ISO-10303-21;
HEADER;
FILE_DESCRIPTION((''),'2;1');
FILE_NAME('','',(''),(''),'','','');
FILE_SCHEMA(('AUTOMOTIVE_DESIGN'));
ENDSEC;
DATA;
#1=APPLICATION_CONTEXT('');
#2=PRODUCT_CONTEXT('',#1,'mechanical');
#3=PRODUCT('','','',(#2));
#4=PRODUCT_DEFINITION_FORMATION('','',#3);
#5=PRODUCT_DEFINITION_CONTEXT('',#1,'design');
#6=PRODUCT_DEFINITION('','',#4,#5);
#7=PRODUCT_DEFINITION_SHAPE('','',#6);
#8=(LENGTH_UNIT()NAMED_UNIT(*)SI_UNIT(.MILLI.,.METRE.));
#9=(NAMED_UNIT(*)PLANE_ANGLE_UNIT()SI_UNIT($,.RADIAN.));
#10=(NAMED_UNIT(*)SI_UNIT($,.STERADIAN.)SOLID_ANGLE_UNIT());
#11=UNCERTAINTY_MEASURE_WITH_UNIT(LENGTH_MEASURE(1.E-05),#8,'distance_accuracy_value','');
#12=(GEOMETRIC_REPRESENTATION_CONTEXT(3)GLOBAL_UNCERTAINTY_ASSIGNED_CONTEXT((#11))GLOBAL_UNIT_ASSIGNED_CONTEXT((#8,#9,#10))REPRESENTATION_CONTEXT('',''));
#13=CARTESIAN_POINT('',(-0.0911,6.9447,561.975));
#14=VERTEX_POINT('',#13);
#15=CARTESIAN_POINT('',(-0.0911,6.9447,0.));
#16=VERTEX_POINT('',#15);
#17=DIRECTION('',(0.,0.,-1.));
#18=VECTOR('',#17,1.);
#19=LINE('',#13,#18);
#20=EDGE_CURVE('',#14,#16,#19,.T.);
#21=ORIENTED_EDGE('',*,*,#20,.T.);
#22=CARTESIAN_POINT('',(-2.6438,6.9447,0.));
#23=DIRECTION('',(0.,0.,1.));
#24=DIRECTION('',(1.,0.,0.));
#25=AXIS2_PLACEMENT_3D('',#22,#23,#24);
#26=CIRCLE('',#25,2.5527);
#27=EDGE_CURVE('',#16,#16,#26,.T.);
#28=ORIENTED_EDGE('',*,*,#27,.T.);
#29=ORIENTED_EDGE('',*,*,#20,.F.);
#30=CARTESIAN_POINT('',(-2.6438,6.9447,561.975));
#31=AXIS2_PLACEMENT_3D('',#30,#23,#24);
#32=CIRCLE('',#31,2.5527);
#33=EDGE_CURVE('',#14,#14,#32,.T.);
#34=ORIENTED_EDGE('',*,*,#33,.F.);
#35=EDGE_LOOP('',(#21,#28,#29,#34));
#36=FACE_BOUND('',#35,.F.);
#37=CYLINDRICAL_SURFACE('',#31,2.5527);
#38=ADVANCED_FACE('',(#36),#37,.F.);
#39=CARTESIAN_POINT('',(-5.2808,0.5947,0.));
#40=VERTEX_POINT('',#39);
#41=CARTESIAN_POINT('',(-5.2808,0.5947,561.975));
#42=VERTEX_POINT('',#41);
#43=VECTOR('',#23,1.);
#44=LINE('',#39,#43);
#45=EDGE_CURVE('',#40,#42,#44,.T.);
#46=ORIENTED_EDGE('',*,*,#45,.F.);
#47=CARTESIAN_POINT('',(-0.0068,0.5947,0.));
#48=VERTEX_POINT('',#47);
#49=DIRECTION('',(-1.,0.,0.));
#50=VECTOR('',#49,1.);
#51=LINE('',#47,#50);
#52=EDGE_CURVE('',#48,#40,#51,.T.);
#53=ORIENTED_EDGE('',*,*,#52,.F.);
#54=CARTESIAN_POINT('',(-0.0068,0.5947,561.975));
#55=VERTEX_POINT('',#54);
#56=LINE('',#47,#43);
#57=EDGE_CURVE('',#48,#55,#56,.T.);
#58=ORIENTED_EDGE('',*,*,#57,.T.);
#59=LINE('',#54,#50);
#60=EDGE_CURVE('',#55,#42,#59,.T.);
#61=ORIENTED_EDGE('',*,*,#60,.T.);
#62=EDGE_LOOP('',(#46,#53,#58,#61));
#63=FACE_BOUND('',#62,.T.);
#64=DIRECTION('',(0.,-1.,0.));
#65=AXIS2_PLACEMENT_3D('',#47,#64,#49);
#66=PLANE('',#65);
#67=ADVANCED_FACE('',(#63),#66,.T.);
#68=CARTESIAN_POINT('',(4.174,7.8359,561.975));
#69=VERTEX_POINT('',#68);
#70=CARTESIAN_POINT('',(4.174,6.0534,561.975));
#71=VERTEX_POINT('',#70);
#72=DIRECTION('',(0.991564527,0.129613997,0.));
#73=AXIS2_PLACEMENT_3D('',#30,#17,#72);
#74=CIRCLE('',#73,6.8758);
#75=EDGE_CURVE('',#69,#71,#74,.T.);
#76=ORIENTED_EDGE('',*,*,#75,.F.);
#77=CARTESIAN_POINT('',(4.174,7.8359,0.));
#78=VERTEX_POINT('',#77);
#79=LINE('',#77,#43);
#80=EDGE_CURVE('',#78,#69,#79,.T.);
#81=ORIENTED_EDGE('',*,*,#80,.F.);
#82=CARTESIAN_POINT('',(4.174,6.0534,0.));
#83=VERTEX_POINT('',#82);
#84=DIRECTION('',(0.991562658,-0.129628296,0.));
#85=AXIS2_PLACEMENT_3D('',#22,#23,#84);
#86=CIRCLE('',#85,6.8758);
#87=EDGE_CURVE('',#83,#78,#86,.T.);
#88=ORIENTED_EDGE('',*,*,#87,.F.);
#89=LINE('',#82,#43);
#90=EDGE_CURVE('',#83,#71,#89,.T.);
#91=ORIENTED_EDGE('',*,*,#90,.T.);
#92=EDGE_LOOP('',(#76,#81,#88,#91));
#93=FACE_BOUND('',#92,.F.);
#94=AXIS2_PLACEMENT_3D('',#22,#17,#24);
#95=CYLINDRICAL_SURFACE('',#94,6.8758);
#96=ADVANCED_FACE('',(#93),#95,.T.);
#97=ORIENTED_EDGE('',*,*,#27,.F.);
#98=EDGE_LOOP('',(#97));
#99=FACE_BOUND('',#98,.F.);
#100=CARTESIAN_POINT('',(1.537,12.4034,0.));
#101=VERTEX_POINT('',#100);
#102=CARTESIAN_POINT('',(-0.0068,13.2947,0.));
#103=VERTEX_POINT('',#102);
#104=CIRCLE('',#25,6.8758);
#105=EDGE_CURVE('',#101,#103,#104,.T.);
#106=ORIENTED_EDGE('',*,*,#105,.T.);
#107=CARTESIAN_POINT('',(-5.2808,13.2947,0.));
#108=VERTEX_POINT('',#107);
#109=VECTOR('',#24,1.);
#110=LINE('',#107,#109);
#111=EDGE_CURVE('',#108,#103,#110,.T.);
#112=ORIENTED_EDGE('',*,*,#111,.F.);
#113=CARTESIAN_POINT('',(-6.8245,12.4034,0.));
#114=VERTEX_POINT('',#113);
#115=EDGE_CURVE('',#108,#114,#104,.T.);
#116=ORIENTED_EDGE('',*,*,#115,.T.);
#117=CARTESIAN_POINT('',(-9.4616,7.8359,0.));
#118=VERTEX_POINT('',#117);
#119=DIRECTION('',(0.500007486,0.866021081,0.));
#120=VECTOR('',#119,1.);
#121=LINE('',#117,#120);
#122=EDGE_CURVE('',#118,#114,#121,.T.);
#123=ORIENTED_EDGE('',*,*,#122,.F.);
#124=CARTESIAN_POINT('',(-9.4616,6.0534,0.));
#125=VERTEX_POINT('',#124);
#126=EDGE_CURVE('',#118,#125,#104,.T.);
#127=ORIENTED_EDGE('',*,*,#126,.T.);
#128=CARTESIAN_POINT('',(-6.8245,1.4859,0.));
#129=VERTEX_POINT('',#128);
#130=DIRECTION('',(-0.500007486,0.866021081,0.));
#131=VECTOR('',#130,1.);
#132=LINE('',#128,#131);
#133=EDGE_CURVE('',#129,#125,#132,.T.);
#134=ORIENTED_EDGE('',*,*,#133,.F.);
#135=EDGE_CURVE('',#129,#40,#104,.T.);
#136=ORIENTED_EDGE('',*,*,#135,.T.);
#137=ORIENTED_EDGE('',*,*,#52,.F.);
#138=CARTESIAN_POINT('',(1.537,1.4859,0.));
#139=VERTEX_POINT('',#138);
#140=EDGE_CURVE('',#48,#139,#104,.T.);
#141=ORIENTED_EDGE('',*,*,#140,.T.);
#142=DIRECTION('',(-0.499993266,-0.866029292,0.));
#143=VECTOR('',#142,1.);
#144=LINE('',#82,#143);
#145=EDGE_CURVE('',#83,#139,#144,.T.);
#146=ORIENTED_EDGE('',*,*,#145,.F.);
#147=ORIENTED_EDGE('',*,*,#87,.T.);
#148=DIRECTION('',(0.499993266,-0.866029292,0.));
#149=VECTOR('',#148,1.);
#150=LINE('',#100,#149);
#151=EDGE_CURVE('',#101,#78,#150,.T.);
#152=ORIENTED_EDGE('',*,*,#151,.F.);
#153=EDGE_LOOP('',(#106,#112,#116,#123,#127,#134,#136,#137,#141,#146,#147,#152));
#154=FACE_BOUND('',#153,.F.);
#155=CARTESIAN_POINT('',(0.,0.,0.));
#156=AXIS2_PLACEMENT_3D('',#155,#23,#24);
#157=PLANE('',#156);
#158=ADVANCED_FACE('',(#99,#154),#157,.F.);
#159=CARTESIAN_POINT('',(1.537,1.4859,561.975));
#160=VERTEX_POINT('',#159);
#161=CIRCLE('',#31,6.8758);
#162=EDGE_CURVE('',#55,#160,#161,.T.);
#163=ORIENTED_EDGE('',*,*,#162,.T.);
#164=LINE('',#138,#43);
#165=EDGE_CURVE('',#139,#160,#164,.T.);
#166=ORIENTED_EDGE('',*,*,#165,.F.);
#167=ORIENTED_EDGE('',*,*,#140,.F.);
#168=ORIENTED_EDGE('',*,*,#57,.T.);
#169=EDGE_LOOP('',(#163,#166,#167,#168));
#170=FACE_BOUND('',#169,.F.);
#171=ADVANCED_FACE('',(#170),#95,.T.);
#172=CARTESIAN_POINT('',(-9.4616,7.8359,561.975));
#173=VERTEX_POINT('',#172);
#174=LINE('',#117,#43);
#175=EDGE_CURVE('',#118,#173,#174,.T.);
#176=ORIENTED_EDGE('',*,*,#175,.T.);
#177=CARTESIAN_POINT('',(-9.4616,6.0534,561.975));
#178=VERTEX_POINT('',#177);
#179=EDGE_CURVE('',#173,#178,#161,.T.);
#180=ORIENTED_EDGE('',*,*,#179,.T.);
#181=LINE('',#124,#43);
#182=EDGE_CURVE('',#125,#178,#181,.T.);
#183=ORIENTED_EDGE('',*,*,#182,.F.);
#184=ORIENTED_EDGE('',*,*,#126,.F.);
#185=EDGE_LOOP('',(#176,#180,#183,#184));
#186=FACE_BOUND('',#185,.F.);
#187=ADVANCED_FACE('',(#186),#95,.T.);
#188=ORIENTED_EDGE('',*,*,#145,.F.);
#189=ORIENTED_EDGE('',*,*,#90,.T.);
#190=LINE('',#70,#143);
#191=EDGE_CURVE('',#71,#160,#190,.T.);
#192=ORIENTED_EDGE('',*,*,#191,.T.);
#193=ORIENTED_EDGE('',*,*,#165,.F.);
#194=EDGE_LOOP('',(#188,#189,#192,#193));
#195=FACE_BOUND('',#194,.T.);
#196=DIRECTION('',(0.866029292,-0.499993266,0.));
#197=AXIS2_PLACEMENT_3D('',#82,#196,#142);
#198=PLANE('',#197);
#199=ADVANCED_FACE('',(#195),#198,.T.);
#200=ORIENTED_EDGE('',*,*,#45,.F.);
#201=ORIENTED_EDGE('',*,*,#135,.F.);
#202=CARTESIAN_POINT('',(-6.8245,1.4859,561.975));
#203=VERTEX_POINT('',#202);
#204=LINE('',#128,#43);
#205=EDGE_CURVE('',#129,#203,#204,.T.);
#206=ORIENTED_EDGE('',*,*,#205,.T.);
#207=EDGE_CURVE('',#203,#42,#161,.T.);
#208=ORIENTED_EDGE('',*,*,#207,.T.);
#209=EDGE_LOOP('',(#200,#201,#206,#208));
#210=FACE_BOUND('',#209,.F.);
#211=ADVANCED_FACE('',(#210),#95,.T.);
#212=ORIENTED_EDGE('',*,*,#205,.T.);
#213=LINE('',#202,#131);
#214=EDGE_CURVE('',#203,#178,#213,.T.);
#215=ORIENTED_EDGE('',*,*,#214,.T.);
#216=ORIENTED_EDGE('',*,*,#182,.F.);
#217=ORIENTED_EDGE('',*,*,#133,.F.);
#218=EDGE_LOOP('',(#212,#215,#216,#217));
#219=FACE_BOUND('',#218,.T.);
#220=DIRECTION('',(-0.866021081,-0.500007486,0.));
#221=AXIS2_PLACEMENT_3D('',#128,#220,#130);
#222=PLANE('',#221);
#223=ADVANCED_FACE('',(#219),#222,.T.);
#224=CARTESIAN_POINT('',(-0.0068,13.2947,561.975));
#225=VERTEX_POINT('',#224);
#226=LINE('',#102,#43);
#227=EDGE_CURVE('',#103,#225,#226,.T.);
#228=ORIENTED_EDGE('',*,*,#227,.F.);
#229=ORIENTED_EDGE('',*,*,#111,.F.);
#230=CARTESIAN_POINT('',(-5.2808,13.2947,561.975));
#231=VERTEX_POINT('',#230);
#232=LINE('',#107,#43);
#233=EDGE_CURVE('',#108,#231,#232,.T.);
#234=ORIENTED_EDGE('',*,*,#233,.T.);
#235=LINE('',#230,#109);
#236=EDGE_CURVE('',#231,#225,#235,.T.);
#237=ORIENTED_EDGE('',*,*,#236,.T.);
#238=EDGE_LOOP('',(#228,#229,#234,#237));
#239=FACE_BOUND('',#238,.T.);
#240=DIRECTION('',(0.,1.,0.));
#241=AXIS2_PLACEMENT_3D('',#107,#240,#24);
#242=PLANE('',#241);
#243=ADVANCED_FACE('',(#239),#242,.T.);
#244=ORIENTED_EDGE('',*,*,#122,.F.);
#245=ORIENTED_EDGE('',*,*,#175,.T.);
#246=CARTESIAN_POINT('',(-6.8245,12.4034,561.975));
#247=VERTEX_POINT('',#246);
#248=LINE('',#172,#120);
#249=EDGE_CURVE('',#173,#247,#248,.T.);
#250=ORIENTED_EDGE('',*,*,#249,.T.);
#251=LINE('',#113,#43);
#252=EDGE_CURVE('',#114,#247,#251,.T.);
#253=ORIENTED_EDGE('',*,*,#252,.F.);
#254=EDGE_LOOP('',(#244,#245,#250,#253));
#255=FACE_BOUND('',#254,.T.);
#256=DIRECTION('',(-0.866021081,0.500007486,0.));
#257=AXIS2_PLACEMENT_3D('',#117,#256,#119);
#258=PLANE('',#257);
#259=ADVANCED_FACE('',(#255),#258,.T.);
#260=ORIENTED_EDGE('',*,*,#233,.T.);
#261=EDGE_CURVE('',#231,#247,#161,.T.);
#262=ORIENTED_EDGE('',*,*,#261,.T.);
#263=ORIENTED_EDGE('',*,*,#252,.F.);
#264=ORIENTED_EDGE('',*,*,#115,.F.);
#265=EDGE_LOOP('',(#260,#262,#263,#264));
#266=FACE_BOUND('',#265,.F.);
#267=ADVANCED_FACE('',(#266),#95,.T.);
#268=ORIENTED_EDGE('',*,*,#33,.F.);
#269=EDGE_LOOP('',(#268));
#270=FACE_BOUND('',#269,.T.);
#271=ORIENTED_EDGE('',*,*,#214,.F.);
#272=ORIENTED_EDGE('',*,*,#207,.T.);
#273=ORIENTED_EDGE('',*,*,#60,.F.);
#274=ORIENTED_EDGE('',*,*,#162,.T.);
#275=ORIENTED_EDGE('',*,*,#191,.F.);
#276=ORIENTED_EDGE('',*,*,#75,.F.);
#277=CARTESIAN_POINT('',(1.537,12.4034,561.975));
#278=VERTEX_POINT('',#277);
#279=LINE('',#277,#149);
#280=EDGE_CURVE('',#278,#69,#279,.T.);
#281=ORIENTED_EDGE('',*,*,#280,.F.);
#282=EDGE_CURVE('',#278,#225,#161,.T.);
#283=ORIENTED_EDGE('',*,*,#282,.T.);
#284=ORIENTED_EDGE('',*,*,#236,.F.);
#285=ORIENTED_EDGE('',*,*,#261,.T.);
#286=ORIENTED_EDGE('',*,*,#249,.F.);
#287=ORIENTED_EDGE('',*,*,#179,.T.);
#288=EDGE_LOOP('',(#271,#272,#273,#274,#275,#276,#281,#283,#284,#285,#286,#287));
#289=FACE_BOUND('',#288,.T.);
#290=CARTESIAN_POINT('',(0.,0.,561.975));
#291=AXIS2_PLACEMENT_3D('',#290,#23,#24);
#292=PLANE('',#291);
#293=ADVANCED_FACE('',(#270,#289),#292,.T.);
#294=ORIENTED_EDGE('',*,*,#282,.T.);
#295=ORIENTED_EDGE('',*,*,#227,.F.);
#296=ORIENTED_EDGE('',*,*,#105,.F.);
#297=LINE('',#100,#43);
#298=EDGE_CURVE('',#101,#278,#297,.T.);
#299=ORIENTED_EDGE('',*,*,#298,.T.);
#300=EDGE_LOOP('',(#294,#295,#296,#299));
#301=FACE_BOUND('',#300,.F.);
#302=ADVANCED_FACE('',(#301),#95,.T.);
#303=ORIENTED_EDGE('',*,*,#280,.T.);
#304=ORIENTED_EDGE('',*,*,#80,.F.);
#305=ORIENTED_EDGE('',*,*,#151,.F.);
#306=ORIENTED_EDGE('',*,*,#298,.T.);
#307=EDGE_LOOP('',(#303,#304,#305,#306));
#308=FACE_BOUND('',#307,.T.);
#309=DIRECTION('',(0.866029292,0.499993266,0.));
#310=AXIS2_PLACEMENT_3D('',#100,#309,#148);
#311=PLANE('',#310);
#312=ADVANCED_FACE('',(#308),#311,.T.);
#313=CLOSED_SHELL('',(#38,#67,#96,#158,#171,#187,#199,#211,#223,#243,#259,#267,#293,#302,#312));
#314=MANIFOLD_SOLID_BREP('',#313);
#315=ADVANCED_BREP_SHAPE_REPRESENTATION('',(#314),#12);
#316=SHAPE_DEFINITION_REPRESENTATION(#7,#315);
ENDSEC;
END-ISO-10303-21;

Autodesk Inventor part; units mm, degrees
ref_plane "YZ Plane" through (0, 0, 0) normal (1, 0, 0) x (0, 1, 0)
ref_plane "XZ Plane" through (0, 0, 0) normal (0, 1, 0) x (-1, 0, 0)
ref_plane "XY Plane" through (0, 0, 0) normal (0, 0, 1) x (1, 0, 0)
sketch "Sketch1" plane through (0, 0, 0) normal (0, 0, 1) x (1, 0, 0)
  circle A0 centre (-2.6438, 6.9447) radius 6.8758
  line L0 (-9.4616, 7.8359) -> (-6.8245, 12.4034)
  line L1 (-6.8245, 1.4859) -> (-9.4616, 6.0534)
  line L2 (-0.0068, 0.5947) -> (-5.2808, 0.5947)
  line L3 (4.174, 6.0534) -> (1.537, 1.4859)
  line L4 (1.537, 12.4034) -> (4.174, 7.8359)
  line L5 (-5.2808, 13.2947) -> (-0.0068, 13.2947)
  point P0 (0, 0)
  point P1 (1.537, 1.4859)
  dimension "d0" = 13.7516
  dimension "d4" = 360
extrude "Extrusion1" add sketch "Sketch1" along normal blind 561.975 contours A0 L3 L2 L1 L0 L5 L4
sketch "Sketch2" plane through (0, 0, 561.975) normal (0, 0, 1) x (1, 0, 0)
  circle A0 centre (-2.6438, 6.9447) radius 2.5527
  line L0 (-5.2808, 0.5947) -> (-0.0068, 0.5947) projected
  line L1 (-2.6438, 6.9447) -> (-5.2808, 0.5947) construction
  line L2 (-2.6438, 6.9447) -> (-0.0068, 0.5947) construction
  point P0 (0, 0)
  dimension "d8" = 5.1054
  dimension "d9" = 6.35
extrude "Extrusion2" cut sketch "Sketch2" against normal blind 561.975
equation "\"d6\" = d5"
equation "\"d10\" = d5"
equation "\"d5\" = 561.975"
properties part number "intake hex"
